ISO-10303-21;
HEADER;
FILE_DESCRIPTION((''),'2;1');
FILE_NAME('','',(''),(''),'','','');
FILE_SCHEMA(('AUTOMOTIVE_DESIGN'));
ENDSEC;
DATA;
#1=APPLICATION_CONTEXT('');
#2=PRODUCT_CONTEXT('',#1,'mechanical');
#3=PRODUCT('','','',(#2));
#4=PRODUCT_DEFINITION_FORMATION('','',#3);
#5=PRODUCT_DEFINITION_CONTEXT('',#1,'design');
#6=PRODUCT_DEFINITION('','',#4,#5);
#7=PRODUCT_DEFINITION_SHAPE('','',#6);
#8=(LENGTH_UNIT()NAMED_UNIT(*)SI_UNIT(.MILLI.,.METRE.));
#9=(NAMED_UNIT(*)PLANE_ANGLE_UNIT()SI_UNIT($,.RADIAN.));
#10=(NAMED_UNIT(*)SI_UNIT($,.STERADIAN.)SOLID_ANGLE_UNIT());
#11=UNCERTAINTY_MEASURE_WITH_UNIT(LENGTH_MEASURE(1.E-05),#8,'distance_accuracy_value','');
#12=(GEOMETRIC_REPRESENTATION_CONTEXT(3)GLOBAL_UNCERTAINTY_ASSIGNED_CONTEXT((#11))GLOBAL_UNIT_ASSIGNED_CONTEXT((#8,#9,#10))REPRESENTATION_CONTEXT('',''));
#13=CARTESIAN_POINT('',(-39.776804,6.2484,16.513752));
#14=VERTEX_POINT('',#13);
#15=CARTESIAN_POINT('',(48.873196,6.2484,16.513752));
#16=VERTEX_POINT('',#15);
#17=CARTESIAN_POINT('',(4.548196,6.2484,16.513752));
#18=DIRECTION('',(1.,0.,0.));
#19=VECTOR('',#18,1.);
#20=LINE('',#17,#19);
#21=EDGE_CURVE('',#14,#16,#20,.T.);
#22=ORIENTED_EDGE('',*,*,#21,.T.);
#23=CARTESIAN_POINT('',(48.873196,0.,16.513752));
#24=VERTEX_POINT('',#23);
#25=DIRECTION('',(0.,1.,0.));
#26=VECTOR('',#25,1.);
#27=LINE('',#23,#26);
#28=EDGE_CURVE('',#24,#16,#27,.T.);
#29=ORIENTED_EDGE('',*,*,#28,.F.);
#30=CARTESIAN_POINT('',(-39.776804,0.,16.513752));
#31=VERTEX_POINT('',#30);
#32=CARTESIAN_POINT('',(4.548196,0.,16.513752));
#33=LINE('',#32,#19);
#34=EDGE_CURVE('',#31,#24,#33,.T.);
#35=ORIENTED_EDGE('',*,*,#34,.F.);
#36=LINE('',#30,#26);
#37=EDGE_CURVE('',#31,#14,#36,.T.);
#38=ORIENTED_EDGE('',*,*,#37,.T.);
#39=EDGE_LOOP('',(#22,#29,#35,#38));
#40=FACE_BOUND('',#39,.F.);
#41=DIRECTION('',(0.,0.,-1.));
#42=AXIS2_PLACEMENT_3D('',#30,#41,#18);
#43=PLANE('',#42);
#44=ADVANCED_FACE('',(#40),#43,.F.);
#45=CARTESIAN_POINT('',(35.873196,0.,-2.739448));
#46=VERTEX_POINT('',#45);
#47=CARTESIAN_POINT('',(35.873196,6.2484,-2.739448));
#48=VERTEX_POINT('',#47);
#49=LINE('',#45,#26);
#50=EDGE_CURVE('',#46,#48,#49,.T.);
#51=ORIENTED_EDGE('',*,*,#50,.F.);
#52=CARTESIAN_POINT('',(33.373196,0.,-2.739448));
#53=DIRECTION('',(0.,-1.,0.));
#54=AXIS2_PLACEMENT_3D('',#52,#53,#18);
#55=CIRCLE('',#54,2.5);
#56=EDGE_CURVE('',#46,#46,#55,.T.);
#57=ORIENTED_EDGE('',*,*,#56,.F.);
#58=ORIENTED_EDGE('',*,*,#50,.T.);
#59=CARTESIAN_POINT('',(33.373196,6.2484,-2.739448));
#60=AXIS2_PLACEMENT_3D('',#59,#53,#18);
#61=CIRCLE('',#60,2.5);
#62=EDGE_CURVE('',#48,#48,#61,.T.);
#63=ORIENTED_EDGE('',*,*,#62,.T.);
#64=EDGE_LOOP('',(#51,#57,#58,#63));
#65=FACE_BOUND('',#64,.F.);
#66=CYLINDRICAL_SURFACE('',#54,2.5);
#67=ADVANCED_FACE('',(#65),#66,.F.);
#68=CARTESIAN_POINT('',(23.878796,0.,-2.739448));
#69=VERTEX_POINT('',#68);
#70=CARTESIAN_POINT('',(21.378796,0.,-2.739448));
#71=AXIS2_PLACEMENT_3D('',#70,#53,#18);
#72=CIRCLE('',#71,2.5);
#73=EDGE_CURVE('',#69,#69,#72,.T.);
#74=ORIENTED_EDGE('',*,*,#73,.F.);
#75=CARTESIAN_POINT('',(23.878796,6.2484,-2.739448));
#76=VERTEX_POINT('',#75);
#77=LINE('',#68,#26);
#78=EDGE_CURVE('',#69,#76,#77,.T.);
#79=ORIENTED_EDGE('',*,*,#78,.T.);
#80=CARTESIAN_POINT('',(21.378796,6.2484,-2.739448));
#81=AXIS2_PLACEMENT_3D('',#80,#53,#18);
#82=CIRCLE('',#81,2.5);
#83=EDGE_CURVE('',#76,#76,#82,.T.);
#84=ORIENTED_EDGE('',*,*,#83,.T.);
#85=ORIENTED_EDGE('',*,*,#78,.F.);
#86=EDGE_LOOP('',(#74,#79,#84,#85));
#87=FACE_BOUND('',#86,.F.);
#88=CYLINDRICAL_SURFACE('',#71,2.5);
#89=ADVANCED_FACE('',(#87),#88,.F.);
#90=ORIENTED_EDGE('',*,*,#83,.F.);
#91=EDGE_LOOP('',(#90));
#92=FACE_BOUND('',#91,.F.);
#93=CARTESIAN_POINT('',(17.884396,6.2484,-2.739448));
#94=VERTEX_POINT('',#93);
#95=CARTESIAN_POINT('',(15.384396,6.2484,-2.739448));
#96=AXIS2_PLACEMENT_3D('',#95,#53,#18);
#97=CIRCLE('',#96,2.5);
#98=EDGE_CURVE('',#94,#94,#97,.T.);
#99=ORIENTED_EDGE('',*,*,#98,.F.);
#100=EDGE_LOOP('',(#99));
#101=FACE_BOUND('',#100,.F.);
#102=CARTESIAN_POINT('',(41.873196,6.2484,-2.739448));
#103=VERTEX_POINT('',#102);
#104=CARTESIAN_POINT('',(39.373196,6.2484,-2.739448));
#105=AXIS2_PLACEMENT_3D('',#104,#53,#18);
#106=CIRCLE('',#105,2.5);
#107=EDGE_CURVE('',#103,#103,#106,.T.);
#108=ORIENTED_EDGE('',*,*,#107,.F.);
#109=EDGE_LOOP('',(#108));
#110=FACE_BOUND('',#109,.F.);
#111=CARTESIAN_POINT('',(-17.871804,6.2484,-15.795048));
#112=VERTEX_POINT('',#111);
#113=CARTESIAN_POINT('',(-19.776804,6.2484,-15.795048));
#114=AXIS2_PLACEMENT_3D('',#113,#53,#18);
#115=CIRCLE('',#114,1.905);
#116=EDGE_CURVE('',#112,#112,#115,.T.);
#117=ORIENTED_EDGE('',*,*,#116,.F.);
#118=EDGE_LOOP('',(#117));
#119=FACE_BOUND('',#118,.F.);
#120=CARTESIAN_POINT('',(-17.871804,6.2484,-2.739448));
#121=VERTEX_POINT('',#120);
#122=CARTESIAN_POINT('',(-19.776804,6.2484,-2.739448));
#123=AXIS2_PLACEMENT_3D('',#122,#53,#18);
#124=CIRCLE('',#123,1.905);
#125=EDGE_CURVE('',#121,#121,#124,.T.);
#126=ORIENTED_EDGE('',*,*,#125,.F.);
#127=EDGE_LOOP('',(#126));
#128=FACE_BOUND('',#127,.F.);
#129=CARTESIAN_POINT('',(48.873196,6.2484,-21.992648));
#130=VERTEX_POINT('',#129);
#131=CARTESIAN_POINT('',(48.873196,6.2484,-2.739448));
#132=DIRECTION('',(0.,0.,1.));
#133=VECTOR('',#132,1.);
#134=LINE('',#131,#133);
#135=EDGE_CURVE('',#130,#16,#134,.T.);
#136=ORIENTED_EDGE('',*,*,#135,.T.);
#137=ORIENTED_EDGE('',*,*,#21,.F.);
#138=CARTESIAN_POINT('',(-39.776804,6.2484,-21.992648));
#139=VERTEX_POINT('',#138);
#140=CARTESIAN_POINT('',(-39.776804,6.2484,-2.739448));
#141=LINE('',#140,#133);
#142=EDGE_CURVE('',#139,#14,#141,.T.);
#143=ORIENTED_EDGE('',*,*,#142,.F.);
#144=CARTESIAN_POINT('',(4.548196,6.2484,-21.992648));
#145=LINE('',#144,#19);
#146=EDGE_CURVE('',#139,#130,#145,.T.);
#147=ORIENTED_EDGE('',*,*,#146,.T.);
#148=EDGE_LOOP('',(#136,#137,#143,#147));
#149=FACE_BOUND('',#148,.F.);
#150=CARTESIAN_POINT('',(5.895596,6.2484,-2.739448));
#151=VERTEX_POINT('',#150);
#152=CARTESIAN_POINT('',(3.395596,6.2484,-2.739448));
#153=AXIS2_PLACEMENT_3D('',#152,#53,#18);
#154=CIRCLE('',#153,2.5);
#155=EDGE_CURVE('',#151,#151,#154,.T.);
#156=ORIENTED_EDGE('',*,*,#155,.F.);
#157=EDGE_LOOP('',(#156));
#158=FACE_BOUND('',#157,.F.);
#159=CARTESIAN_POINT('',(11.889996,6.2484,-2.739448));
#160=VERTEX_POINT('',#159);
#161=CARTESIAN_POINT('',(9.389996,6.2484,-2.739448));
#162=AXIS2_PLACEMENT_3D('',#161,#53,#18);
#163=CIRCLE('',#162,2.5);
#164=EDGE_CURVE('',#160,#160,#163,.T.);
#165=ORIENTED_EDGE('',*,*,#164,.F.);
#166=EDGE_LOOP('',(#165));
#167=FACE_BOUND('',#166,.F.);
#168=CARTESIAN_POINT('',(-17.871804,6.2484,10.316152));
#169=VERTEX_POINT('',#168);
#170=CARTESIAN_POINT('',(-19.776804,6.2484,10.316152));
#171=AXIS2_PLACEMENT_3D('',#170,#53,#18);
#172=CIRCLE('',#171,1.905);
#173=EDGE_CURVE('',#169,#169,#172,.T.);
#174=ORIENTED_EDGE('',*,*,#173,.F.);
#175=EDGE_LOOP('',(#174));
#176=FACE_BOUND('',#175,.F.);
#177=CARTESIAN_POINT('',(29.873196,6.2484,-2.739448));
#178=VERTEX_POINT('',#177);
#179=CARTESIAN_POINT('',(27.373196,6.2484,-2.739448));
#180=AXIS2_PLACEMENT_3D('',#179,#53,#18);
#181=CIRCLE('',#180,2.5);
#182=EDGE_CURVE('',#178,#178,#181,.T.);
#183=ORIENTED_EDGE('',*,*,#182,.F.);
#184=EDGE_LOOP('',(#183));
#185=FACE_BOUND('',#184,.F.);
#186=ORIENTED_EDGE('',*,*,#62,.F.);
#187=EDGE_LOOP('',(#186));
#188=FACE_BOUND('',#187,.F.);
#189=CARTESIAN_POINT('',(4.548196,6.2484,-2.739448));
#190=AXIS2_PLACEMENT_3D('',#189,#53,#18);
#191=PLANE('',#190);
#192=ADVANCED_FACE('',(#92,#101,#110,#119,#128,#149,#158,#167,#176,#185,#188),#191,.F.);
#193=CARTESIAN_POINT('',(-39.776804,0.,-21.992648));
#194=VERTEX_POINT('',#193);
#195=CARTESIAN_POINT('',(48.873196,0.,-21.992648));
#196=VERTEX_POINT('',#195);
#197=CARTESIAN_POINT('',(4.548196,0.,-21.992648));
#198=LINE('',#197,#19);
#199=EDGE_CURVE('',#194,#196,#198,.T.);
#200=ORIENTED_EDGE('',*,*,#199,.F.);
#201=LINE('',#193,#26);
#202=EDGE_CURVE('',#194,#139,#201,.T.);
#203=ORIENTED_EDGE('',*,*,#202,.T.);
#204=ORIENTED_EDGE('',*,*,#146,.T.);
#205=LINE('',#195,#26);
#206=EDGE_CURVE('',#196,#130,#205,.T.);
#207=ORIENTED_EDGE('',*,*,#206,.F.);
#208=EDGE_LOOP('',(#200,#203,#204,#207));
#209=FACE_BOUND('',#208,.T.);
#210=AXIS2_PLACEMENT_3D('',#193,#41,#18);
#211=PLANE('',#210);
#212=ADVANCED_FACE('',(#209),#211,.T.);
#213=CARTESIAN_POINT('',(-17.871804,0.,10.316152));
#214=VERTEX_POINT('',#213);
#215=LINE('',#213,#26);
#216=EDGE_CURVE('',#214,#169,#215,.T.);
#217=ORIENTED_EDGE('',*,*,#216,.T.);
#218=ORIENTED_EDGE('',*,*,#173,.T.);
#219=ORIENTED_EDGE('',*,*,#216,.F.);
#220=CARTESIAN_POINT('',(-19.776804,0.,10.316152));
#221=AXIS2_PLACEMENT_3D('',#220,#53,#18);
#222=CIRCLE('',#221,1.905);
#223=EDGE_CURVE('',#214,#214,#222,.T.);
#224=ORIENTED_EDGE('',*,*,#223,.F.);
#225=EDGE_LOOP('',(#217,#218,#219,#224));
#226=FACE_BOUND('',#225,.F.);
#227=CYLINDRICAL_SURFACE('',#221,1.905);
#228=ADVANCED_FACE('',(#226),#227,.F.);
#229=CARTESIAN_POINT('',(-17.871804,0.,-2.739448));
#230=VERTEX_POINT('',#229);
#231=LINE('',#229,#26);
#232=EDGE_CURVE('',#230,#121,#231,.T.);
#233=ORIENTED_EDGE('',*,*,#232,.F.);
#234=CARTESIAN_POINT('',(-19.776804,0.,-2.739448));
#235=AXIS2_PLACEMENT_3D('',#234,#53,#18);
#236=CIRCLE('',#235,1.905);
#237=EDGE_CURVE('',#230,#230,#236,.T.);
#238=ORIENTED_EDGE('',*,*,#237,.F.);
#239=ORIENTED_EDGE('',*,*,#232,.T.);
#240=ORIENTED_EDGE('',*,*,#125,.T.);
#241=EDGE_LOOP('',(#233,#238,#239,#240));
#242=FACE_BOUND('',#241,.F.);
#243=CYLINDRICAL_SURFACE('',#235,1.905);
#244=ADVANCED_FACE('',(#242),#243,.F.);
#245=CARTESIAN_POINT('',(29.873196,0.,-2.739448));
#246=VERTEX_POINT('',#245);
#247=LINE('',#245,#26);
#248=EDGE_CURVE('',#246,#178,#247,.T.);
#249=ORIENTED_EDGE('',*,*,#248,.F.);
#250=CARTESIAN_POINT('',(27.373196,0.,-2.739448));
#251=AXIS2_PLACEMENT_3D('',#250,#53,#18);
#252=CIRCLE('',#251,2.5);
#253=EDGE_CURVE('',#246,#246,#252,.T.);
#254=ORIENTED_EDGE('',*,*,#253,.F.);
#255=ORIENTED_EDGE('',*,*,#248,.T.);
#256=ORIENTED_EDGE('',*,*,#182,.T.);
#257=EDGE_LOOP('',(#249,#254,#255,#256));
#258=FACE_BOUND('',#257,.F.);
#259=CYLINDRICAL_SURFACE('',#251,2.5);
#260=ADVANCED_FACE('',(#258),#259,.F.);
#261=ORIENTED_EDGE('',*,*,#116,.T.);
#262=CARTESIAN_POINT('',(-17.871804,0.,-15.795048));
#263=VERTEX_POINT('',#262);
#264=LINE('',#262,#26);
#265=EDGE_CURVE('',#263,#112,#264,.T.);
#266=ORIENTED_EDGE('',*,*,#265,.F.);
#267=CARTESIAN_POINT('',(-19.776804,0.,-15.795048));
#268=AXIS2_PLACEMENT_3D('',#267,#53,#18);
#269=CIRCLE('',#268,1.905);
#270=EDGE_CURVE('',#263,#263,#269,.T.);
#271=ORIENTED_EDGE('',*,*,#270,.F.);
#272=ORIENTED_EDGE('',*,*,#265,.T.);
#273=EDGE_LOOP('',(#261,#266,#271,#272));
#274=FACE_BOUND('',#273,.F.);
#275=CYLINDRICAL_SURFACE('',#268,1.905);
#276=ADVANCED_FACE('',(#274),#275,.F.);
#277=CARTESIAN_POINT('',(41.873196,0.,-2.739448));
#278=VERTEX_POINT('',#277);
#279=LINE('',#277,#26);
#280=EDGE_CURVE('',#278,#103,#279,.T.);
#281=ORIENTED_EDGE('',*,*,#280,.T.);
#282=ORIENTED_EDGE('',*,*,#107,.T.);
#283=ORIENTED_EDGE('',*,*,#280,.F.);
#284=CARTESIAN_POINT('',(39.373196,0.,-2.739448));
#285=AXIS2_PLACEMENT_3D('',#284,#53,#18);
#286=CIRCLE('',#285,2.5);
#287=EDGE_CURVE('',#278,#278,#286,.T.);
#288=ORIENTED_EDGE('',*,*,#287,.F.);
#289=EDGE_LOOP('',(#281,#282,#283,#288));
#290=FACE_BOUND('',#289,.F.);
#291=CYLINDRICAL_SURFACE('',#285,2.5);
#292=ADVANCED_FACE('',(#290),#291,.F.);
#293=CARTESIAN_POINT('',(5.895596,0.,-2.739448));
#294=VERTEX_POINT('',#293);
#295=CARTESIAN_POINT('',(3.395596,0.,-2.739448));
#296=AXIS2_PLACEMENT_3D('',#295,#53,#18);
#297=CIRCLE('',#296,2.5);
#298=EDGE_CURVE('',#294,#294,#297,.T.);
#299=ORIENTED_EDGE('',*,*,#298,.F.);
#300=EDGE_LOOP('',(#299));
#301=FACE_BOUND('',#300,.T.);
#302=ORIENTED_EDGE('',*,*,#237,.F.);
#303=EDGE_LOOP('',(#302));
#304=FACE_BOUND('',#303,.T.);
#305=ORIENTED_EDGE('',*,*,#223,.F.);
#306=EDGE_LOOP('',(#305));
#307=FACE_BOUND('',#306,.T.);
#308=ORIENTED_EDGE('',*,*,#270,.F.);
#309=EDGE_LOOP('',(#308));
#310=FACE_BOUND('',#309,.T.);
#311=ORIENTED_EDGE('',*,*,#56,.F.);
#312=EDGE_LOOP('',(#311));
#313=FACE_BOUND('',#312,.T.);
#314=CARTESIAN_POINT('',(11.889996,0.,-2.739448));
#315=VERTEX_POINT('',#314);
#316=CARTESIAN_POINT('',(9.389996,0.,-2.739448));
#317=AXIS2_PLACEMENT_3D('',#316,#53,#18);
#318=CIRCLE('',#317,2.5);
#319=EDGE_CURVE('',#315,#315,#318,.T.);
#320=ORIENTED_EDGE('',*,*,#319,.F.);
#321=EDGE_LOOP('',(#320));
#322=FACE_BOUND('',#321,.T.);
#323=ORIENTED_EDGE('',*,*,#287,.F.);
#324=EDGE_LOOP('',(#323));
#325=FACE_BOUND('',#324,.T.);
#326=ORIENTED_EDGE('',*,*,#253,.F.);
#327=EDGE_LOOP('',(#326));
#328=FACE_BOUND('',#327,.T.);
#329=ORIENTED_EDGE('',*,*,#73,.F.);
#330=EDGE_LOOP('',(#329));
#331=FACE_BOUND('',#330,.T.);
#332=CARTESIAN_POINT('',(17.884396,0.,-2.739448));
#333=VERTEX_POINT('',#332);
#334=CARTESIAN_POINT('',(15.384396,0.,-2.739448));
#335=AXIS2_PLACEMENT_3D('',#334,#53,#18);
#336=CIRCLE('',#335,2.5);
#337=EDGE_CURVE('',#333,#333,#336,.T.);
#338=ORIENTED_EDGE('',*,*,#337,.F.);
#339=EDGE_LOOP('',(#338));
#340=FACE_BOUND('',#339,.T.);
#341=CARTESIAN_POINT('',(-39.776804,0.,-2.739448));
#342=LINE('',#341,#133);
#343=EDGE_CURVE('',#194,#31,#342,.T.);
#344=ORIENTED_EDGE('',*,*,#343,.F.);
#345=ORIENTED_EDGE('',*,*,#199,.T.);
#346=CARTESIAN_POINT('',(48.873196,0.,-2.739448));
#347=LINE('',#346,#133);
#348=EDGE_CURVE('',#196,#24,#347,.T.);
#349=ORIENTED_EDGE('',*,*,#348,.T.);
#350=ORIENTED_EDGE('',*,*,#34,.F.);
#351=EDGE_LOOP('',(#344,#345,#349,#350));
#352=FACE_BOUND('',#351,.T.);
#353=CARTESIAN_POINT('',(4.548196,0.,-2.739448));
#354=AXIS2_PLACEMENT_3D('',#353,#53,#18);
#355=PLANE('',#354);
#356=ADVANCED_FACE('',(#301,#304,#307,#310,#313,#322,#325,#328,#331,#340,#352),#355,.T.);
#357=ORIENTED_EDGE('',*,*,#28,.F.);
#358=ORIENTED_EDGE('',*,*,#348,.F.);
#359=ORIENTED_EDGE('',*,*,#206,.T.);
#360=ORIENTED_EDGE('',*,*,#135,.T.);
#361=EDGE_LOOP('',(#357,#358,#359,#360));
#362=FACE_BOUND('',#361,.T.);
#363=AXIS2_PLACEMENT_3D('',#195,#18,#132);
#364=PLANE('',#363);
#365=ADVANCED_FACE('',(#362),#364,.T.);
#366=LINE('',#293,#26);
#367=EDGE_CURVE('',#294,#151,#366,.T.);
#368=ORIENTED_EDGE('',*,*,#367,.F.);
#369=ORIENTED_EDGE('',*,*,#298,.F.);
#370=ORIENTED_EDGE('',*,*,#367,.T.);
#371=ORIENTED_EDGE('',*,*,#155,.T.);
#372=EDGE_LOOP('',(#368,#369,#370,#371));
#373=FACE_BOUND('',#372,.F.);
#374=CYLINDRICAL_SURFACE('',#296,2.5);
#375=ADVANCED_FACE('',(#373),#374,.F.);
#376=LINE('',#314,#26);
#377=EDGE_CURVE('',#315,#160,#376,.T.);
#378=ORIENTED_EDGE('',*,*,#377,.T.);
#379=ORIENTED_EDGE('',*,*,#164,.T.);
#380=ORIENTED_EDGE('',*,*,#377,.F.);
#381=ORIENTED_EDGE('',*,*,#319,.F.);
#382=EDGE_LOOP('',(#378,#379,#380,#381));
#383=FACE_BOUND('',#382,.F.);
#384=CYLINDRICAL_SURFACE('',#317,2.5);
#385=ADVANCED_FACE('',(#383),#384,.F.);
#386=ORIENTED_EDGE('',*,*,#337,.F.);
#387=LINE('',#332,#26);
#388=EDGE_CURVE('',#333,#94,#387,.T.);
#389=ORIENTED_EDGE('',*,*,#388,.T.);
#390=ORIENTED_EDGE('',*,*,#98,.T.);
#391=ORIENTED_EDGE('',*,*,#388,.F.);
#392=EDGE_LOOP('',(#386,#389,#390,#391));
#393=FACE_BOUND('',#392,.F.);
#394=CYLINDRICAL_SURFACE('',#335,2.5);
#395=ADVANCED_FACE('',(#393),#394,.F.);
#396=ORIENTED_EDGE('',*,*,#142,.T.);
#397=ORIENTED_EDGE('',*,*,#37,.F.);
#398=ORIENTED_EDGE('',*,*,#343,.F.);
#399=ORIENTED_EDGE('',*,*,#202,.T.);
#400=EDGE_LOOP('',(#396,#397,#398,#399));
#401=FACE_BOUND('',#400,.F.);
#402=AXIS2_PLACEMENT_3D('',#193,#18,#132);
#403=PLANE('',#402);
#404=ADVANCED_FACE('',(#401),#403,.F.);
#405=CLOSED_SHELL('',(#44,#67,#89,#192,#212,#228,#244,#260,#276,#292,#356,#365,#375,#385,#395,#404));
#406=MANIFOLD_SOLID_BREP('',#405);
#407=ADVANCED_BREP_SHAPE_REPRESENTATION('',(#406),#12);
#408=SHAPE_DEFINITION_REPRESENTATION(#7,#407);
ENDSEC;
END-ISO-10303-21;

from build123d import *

# Parameters (mm, degrees)
F0_W     = 88.65
F0_H     = 38.5064
F0_R     = 1.905
F0_R_2   = 2.5
F1_DEPTH = 6.2484


with BuildPart() as f1:
    # F0 (on Front) → F1 (new body)
    with BuildSketch(Plane.XZ):
        with Locations((4.548196, -2.739448)):
            Rectangle(F0_W, F0_H)
        with Locations((-19.776804, -15.795048)):
            Circle(F0_R, mode=Mode.SUBTRACT)
        with Locations((-19.776804, -2.739448)):
            Circle(F0_R, mode=Mode.SUBTRACT)
        with Locations((3.395596, -2.739448)):
            Circle(F0_R_2, mode=Mode.SUBTRACT)
        with Locations((-19.776804, 10.316152)):
            Circle(F0_R, mode=Mode.SUBTRACT)
        with Locations((9.389996, -2.739448)):
            Circle(F0_R_2, mode=Mode.SUBTRACT)
        with Locations((15.384396, -2.739448)):
            Circle(F0_R_2, mode=Mode.SUBTRACT)
        with Locations((21.378796, -2.739448)):
            Circle(F0_R_2, mode=Mode.SUBTRACT)
        with Locations((27.373196, -2.739448)):
            Circle(F0_R_2, mode=Mode.SUBTRACT)
        with Locations((33.373196, -2.739448)):
            Circle(F0_R_2, mode=Mode.SUBTRACT)
        with Locations((39.373196, -2.739448)):
            Circle(F0_R_2, mode=Mode.SUBTRACT)
    extrude(amount=-F1_DEPTH)


solid = f1.part
